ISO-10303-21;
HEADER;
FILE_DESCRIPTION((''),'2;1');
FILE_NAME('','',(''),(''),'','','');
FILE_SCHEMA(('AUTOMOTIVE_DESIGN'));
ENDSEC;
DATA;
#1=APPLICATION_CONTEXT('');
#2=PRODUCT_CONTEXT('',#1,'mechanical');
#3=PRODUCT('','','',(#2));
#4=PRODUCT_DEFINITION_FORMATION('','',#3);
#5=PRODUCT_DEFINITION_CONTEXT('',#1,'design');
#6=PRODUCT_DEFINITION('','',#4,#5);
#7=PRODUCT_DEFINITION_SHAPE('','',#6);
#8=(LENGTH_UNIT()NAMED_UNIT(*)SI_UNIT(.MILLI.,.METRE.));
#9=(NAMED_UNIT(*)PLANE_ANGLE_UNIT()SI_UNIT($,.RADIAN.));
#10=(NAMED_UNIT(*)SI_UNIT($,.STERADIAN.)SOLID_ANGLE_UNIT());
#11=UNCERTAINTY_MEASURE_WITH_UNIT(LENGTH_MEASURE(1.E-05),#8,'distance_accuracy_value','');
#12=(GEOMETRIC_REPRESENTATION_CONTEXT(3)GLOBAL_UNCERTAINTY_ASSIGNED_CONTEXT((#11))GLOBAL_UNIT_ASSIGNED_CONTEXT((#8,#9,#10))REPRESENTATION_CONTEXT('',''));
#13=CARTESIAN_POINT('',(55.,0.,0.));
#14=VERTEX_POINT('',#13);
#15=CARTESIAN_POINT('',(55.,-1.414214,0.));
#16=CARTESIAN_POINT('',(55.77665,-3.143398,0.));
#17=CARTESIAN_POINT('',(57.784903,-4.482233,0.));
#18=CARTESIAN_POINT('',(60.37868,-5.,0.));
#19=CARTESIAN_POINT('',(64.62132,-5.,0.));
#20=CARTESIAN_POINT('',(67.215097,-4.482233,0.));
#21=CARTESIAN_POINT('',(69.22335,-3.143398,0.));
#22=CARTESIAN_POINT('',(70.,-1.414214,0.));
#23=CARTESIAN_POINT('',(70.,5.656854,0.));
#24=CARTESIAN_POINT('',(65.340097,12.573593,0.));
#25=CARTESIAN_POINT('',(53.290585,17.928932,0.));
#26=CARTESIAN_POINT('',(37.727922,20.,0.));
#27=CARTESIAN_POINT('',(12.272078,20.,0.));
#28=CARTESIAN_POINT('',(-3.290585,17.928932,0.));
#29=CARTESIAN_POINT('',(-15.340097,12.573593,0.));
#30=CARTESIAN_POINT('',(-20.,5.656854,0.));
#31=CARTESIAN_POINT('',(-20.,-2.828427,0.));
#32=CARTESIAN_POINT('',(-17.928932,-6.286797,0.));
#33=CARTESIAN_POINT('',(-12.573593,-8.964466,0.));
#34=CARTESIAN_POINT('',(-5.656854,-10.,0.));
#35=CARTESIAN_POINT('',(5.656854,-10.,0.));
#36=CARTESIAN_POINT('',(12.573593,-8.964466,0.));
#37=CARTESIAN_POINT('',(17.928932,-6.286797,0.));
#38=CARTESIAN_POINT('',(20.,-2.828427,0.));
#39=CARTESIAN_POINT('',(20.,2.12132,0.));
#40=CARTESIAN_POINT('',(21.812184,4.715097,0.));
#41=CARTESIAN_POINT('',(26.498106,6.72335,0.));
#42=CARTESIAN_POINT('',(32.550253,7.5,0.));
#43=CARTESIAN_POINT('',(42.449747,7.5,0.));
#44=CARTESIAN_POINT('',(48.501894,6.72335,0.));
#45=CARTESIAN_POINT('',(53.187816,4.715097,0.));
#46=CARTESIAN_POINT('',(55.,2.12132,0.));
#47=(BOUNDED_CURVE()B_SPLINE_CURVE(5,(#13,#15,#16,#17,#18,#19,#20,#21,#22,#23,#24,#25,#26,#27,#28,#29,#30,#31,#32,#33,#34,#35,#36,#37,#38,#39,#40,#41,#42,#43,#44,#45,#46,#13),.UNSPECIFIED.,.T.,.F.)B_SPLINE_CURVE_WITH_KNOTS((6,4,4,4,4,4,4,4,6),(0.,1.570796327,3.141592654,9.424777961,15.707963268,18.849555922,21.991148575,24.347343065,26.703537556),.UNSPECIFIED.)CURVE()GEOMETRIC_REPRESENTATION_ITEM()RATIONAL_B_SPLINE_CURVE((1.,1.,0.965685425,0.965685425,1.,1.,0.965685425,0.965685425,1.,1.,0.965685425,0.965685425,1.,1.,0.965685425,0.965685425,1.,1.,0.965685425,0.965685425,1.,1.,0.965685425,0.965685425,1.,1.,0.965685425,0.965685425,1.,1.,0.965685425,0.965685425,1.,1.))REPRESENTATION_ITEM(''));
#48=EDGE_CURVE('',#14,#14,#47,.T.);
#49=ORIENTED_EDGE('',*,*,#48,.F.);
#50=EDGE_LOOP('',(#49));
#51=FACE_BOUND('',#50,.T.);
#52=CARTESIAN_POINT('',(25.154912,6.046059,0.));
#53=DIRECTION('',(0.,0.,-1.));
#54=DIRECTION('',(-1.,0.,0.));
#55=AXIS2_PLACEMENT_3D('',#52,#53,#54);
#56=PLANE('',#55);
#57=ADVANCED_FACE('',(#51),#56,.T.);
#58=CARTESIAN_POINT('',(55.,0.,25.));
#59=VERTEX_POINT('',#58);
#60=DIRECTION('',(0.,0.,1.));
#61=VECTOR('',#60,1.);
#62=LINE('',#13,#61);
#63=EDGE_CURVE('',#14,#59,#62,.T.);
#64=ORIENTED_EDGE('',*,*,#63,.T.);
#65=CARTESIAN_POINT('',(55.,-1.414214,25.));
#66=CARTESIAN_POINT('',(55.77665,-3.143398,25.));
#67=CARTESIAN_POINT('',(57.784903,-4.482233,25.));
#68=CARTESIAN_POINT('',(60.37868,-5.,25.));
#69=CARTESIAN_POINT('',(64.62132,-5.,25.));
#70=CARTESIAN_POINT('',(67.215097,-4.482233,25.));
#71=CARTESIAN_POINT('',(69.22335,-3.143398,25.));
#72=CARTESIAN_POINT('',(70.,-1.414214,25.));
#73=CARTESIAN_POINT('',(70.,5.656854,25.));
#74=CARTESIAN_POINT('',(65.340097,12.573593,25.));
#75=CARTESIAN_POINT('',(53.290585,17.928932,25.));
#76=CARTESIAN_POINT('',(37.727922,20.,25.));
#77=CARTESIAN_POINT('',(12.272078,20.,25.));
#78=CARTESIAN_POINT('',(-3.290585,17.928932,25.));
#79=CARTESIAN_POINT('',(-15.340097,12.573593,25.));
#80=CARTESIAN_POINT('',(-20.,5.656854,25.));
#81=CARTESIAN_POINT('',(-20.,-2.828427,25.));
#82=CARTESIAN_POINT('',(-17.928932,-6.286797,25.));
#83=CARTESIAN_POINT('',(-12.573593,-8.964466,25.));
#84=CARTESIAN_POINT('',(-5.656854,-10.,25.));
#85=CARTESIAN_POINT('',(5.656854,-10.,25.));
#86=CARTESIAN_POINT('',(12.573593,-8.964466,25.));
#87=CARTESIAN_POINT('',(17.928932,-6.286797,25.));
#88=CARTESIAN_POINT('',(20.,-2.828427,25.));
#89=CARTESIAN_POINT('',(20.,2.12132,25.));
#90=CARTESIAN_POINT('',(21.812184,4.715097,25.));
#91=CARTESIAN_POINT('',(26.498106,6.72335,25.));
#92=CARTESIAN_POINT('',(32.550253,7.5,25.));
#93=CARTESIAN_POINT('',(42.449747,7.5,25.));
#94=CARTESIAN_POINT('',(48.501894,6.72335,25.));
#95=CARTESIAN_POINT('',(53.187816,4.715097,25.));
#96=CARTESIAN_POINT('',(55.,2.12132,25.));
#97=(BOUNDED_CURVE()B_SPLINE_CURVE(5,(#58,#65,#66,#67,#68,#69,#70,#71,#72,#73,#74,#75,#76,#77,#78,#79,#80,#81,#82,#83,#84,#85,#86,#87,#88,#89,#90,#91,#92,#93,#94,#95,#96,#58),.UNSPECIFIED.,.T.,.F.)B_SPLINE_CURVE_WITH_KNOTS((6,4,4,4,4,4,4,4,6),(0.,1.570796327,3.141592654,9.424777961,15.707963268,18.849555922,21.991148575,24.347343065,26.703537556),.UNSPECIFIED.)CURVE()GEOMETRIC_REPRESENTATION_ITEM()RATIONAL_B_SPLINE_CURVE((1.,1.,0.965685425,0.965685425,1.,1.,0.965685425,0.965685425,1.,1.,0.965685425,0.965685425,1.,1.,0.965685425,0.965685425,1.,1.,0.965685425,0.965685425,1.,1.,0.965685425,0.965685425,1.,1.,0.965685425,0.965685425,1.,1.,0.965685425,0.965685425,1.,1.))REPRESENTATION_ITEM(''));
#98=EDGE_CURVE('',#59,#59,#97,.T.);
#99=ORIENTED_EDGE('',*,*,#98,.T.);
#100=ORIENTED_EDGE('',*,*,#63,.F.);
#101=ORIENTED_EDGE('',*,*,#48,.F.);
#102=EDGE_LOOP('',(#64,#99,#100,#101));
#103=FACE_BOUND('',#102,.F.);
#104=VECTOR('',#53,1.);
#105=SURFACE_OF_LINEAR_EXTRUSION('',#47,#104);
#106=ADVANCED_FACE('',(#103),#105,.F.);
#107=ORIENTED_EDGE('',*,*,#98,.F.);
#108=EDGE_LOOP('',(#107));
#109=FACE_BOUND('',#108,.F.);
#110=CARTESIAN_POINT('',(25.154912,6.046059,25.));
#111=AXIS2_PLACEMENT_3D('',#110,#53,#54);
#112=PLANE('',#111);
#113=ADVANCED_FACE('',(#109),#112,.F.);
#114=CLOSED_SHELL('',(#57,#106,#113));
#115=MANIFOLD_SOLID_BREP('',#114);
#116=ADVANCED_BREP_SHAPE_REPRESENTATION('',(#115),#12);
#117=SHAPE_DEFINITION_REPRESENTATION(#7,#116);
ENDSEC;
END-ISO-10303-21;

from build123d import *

# Parameters (mm, degrees)
F1_DEPTH = 25


with BuildPart() as f1:
    # F0 (on Top) → F1 (new body)
    with BuildSketch(Plane.XY):
        with BuildLine():
            add(Edge.make_bspline(
                [(70, 0), (70, 20), (25, 20), (-20, 20), (-20, 0)],
                knots=[0, 0, 0, 1.5707963268, 1.5707963268, 3.1415926536, 3.1415926536, 3.1415926536], degree=2, weights=[1, 0.7071067812, 1, 0.7071067812, 1]))
            add(Edge.make_bspline(
                [(-20, 0), (-20, -10), (0, -10), (20, -10), (20, 0)],
                knots=[3.1415926536, 3.1415926536, 3.1415926536, 4.7123889804, 4.7123889804, 6.2831853072, 6.2831853072, 6.2831853072], degree=2, weights=[1, 0.7071067812, 1, 0.7071067812, 1]))
            add(Edge.make_bspline(
                [(55, 0), (55, 7.5), (37.5, 7.5), (20, 7.5), (20, 0)],
                knots=[3.1415926536, 3.1415926536, 3.1415926536, 4.7123889804, 4.7123889804, 6.2831853072, 6.2831853072, 6.2831853072], degree=2, weights=[1, 0.7071067812, 1, 0.7071067812, 1]))
            add(Edge.make_bspline(
                [(55, 0), (55, -5), (62.5, -5), (70, -5), (70, 0)],
                knots=[0, 0, 0, 1.5707963268, 1.5707963268, 3.1415926536, 3.1415926536, 3.1415926536], degree=2, weights=[1, 0.7071067812, 1, 0.7071067812, 1]))
        make_face()
    extrude(amount=F1_DEPTH)


solid = f1.part
